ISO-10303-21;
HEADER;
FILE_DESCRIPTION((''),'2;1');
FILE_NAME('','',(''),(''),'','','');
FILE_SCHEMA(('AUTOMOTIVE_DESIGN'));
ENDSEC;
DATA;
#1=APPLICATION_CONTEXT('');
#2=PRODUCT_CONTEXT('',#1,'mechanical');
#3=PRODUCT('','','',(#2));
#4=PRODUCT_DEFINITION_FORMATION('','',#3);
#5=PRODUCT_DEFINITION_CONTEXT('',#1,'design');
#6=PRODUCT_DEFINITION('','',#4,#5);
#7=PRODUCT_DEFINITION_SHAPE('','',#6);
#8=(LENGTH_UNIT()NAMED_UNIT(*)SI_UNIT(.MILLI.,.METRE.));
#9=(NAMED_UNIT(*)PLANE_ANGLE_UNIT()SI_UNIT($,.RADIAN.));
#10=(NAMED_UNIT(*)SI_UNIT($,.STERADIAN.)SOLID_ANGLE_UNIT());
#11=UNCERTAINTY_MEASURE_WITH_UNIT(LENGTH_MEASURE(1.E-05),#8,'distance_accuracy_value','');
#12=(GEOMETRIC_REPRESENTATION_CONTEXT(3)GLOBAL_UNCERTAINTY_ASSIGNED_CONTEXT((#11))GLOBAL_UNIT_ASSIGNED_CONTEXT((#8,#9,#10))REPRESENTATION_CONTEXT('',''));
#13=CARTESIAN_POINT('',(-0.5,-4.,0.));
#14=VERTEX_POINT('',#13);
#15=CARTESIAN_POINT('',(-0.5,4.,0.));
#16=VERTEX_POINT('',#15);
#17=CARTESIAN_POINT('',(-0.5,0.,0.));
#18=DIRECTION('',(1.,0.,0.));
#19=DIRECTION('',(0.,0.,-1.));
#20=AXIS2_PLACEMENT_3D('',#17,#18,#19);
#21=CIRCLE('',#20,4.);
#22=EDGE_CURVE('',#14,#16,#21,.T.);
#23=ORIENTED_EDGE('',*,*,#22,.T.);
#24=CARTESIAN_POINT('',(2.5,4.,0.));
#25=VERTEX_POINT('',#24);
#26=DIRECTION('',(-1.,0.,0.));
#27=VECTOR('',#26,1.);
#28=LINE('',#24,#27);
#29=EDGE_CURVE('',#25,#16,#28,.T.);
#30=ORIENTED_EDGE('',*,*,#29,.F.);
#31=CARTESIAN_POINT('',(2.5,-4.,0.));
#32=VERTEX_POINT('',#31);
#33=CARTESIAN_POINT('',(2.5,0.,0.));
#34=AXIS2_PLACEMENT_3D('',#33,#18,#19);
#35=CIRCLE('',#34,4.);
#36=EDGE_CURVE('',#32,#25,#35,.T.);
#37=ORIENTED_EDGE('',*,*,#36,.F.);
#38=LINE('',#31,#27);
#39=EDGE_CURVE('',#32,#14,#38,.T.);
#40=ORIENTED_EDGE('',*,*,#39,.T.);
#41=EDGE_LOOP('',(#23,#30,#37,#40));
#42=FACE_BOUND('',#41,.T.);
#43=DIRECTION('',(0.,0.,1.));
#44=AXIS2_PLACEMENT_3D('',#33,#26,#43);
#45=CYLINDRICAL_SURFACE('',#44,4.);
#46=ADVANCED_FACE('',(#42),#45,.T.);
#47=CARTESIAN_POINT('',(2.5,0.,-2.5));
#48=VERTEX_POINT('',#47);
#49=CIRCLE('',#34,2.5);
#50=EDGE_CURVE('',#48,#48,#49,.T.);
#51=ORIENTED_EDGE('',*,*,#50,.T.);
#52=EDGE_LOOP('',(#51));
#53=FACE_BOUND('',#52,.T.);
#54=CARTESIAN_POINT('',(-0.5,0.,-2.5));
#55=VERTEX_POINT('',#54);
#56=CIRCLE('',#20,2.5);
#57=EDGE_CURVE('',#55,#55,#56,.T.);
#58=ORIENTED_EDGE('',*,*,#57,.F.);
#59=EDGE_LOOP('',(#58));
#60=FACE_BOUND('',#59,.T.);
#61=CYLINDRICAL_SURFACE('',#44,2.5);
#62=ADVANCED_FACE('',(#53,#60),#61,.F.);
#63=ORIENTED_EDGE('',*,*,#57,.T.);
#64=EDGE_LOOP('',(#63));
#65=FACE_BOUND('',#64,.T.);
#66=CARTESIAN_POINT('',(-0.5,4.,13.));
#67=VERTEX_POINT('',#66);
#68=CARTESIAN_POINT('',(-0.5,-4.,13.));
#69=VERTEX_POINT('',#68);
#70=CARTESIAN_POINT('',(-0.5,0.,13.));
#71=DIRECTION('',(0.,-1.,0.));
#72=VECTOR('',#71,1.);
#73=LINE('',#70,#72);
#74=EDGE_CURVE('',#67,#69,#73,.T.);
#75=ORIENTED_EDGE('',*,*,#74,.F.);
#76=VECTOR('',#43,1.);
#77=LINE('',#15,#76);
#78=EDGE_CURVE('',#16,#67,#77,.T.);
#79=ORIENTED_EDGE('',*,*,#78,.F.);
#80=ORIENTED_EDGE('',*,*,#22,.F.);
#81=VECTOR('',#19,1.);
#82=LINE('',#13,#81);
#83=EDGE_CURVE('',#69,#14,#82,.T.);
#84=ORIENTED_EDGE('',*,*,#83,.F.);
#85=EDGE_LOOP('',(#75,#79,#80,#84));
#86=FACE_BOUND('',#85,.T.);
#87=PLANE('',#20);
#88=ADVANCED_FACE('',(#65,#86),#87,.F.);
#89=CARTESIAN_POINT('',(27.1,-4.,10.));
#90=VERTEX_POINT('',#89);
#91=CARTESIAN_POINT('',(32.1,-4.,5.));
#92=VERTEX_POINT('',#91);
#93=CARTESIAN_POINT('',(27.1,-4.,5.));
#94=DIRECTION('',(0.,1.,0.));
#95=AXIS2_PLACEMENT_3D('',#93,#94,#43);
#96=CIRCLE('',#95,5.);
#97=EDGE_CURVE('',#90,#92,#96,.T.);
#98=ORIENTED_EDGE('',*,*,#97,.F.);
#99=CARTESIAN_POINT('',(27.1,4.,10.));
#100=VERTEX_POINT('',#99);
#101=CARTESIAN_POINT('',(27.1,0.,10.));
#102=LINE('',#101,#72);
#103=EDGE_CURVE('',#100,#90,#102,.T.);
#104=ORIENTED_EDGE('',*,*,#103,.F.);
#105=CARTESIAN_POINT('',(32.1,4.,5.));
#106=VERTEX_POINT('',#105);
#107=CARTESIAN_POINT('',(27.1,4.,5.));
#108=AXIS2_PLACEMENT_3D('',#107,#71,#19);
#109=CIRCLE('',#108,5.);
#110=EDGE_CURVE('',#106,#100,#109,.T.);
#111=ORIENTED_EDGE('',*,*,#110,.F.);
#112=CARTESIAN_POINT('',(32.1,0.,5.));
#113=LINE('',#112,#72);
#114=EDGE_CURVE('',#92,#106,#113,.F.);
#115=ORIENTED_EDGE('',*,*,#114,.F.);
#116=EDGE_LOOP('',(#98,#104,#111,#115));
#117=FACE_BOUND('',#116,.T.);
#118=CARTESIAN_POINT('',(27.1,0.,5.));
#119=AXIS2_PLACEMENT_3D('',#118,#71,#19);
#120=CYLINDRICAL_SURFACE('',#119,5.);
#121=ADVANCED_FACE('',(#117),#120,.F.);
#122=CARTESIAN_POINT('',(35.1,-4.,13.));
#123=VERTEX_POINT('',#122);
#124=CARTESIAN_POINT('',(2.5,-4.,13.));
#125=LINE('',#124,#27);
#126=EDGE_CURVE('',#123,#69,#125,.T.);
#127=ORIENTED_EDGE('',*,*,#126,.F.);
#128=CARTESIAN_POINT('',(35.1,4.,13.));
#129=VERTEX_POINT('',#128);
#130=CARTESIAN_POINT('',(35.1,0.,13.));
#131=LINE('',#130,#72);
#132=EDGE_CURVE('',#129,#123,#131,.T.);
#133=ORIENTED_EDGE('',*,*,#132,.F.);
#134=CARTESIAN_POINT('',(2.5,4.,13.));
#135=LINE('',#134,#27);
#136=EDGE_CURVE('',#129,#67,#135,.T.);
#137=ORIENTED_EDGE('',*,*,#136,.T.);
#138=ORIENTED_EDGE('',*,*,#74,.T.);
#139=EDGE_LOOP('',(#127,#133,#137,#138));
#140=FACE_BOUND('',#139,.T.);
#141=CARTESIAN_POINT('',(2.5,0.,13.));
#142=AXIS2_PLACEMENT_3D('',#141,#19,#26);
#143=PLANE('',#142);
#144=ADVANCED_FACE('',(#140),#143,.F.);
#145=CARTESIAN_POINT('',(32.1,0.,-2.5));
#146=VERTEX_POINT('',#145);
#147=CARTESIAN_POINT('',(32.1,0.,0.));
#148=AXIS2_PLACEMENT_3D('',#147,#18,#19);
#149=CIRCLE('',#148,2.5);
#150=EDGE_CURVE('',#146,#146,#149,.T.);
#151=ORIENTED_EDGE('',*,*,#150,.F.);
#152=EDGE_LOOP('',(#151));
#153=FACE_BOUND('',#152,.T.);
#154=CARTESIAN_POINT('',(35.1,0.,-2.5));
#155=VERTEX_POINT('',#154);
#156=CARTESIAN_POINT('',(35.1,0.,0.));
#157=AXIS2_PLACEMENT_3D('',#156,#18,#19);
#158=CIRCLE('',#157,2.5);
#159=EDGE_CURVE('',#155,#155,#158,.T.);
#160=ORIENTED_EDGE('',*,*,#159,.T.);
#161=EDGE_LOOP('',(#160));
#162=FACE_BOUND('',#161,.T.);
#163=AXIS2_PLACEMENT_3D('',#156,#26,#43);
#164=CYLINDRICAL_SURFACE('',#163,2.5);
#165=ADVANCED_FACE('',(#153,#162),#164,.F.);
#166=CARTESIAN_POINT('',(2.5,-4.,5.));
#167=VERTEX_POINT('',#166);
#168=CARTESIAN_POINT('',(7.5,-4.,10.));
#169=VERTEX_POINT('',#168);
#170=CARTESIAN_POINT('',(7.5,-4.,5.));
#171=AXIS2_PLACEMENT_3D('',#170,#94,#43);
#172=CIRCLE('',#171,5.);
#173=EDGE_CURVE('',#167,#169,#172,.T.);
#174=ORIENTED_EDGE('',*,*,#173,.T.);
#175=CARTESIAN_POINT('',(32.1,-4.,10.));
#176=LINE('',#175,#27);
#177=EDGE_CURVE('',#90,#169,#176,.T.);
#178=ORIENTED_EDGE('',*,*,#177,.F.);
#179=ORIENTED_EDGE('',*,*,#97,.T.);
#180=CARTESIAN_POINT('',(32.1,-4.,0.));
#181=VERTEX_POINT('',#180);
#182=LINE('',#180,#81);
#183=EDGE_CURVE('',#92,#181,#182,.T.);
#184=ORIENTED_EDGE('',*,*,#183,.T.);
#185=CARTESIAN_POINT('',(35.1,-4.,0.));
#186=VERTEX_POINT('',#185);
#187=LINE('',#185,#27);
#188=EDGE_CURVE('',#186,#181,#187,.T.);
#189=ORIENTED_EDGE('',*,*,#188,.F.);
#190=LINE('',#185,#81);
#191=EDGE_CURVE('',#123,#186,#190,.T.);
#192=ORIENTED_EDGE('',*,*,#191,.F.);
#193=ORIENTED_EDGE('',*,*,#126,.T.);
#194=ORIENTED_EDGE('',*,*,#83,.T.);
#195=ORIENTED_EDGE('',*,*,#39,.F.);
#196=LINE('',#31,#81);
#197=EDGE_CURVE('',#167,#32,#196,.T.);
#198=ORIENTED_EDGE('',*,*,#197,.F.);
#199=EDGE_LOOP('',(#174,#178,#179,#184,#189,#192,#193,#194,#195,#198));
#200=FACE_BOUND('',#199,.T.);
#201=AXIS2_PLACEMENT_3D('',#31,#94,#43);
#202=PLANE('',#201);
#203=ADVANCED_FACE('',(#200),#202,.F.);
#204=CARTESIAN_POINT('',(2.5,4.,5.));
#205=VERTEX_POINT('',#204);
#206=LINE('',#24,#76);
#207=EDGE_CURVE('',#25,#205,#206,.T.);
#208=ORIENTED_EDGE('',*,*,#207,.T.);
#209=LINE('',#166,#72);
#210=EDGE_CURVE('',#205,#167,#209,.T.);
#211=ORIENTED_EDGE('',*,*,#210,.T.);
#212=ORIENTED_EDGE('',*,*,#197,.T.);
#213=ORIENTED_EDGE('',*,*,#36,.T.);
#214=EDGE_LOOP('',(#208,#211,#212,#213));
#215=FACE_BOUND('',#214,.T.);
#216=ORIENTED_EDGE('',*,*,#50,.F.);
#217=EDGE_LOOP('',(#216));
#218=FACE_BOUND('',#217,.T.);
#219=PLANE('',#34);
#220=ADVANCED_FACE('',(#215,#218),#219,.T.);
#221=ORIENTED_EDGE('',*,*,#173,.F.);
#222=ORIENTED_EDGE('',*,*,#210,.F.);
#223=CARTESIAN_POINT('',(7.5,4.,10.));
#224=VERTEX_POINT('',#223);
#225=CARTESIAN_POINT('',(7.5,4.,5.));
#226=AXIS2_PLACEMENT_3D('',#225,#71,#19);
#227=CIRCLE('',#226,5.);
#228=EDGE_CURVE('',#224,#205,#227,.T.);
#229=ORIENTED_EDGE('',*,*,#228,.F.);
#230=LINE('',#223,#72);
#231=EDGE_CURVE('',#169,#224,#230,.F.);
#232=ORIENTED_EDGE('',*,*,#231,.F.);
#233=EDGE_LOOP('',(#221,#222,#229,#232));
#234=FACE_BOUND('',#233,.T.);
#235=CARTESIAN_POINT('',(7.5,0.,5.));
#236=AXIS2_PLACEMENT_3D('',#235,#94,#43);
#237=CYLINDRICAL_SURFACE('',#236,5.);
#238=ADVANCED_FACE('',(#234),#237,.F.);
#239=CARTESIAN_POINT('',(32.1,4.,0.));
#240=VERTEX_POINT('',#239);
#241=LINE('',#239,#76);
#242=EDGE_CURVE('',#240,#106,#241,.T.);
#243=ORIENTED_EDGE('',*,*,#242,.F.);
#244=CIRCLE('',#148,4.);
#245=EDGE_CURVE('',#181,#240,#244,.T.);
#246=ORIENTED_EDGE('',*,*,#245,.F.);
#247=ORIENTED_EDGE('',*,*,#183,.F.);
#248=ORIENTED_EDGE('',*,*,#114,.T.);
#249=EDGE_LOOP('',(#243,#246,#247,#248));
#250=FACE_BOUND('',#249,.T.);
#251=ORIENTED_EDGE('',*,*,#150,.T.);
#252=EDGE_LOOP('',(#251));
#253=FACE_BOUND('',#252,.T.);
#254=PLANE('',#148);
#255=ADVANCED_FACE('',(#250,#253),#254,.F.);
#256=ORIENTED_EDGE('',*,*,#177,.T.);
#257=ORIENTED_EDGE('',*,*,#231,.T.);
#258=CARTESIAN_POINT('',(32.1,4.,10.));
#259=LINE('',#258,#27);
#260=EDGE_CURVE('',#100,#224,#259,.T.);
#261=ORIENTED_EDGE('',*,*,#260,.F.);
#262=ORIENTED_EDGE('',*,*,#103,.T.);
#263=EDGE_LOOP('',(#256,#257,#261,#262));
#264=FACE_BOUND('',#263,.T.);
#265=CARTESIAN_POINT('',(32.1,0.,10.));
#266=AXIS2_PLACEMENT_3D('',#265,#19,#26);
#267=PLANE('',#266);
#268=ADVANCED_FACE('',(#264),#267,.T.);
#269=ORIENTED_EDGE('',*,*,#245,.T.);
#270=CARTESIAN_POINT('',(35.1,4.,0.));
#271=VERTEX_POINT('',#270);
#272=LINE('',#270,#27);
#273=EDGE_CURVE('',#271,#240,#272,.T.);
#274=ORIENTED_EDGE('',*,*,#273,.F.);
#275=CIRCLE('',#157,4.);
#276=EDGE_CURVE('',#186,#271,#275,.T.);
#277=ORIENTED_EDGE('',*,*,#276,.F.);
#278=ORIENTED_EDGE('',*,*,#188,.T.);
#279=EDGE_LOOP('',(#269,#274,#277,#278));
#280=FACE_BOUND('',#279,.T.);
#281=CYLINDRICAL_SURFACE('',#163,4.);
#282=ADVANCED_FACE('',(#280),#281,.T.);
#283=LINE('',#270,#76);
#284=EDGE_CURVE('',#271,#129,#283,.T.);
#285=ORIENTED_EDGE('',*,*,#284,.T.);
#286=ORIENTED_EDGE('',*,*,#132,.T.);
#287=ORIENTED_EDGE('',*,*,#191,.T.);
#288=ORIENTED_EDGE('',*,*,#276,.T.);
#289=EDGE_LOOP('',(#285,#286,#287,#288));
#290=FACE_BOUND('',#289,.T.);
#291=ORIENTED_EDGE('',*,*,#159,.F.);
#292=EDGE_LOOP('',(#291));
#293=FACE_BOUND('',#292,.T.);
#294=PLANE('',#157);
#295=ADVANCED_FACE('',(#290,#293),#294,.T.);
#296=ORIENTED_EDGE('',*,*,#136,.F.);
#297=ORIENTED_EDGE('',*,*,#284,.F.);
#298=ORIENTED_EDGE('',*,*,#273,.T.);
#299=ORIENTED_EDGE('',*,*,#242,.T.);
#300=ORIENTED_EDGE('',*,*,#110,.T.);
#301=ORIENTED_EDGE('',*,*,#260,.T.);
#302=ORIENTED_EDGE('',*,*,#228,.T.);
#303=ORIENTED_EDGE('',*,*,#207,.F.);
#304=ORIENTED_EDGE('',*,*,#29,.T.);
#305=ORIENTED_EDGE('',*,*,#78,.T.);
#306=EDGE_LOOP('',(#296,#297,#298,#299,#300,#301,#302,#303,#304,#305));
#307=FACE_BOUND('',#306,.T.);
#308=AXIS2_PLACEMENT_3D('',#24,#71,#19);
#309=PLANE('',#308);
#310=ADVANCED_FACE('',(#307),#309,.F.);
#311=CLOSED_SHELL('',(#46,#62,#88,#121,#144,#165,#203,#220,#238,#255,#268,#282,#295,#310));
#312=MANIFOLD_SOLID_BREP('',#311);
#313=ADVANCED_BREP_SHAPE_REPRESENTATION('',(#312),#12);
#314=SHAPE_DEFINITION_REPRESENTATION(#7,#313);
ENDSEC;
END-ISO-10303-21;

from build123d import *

# Parameters (mm, degrees)
BOSS_EXTRUDE1_START = -0.5
SKETCH2_W           = 3
SKETCH2_H           = 8
SKETCH2_R           = 2.5
BOSS_EXTRUDE1_DEPTH = 3
BOSS_EXTRUDE2_START = 2.5
SKETCH2_3_W         = 3
SKETCH2_3_H         = 8
BOSS_EXTRUDE2_DEPTH = 29.6
BOSS_EXTRUDE3_START = 32.1
SKETCH2_4_W         = 3
SKETCH2_4_H         = 8
SKETCH2_4_R         = 2.5
BOSS_EXTRUDE3_DEPTH = 3
FILLET1_R           = 5


with BuildPart() as part:
    # Sketch2 → Boss-Extrude1 (new body)
    # profile 1 of 2: a face of its own
    with BuildSketch(Plane(origin=(0, 0, 0), x_dir=(0, 0, -1), z_dir=(1, 0, 0)).offset(BOSS_EXTRUDE1_START)):
        with Locations((-11.5, 0)):
            Rectangle(SKETCH2_W, SKETCH2_H)
    # profile 2 of 2: a face of its own
    with BuildSketch(Plane(origin=(0, 0, 0), x_dir=(0, 0, -1), z_dir=(1, 0, 0)).offset(BOSS_EXTRUDE1_START)):
        with BuildLine():
            Line((0, -4), (-10, -4))
            Line((-10, -4), (-10, 4))
            Line((-10, 4), (0, 4))
            ThreePointArc((0, 4), (4, 0), (0, -4))
        make_face()
        Circle(SKETCH2_R, mode=Mode.SUBTRACT)
    extrude(amount=BOSS_EXTRUDE1_DEPTH)

    # Sketch2<3> → Boss-Extrude2 (add)
    with BuildSketch(Plane(origin=(0, 0, 0), x_dir=(0, 0, -1), z_dir=(1, 0, 0)).offset(BOSS_EXTRUDE2_START)):
        with Locations((-11.5, 0)):
            Rectangle(SKETCH2_3_W, SKETCH2_3_H)
    extrude(amount=BOSS_EXTRUDE2_DEPTH)

    # Sketch2<4> → Boss-Extrude3 (add)
    # profile 1 of 2: a face of its own
    with BuildSketch(Plane(origin=(0, 0, 0), x_dir=(0, 0, -1), z_dir=(1, 0, 0)).offset(BOSS_EXTRUDE3_START)):
        with Locations((-11.5, 0)):
            Rectangle(SKETCH2_4_W, SKETCH2_4_H)
    # profile 2 of 2: a face of its own
    with BuildSketch(Plane(origin=(0, 0, 0), x_dir=(0, 0, -1), z_dir=(1, 0, 0)).offset(BOSS_EXTRUDE3_START)):
        with BuildLine():
            Line((0, -4), (-10, -4))
            Line((-10, -4), (-10, 4))
            Line((-10, 4), (0, 4))
            ThreePointArc((0, 4), (4, 0), (0, -4))
        make_face()
        Circle(SKETCH2_4_R, mode=Mode.SUBTRACT)
    extrude(amount=BOSS_EXTRUDE3_DEPTH)

    # Fillet1
    fillet1_edges = [part.edges().sort_by_distance(p)[0] for p in [
        (32.1, 0, 10),
        (2.5, 0, 10),
    ]]
    fillet(fillet1_edges, radius=FILLET1_R)


solid = part.part
